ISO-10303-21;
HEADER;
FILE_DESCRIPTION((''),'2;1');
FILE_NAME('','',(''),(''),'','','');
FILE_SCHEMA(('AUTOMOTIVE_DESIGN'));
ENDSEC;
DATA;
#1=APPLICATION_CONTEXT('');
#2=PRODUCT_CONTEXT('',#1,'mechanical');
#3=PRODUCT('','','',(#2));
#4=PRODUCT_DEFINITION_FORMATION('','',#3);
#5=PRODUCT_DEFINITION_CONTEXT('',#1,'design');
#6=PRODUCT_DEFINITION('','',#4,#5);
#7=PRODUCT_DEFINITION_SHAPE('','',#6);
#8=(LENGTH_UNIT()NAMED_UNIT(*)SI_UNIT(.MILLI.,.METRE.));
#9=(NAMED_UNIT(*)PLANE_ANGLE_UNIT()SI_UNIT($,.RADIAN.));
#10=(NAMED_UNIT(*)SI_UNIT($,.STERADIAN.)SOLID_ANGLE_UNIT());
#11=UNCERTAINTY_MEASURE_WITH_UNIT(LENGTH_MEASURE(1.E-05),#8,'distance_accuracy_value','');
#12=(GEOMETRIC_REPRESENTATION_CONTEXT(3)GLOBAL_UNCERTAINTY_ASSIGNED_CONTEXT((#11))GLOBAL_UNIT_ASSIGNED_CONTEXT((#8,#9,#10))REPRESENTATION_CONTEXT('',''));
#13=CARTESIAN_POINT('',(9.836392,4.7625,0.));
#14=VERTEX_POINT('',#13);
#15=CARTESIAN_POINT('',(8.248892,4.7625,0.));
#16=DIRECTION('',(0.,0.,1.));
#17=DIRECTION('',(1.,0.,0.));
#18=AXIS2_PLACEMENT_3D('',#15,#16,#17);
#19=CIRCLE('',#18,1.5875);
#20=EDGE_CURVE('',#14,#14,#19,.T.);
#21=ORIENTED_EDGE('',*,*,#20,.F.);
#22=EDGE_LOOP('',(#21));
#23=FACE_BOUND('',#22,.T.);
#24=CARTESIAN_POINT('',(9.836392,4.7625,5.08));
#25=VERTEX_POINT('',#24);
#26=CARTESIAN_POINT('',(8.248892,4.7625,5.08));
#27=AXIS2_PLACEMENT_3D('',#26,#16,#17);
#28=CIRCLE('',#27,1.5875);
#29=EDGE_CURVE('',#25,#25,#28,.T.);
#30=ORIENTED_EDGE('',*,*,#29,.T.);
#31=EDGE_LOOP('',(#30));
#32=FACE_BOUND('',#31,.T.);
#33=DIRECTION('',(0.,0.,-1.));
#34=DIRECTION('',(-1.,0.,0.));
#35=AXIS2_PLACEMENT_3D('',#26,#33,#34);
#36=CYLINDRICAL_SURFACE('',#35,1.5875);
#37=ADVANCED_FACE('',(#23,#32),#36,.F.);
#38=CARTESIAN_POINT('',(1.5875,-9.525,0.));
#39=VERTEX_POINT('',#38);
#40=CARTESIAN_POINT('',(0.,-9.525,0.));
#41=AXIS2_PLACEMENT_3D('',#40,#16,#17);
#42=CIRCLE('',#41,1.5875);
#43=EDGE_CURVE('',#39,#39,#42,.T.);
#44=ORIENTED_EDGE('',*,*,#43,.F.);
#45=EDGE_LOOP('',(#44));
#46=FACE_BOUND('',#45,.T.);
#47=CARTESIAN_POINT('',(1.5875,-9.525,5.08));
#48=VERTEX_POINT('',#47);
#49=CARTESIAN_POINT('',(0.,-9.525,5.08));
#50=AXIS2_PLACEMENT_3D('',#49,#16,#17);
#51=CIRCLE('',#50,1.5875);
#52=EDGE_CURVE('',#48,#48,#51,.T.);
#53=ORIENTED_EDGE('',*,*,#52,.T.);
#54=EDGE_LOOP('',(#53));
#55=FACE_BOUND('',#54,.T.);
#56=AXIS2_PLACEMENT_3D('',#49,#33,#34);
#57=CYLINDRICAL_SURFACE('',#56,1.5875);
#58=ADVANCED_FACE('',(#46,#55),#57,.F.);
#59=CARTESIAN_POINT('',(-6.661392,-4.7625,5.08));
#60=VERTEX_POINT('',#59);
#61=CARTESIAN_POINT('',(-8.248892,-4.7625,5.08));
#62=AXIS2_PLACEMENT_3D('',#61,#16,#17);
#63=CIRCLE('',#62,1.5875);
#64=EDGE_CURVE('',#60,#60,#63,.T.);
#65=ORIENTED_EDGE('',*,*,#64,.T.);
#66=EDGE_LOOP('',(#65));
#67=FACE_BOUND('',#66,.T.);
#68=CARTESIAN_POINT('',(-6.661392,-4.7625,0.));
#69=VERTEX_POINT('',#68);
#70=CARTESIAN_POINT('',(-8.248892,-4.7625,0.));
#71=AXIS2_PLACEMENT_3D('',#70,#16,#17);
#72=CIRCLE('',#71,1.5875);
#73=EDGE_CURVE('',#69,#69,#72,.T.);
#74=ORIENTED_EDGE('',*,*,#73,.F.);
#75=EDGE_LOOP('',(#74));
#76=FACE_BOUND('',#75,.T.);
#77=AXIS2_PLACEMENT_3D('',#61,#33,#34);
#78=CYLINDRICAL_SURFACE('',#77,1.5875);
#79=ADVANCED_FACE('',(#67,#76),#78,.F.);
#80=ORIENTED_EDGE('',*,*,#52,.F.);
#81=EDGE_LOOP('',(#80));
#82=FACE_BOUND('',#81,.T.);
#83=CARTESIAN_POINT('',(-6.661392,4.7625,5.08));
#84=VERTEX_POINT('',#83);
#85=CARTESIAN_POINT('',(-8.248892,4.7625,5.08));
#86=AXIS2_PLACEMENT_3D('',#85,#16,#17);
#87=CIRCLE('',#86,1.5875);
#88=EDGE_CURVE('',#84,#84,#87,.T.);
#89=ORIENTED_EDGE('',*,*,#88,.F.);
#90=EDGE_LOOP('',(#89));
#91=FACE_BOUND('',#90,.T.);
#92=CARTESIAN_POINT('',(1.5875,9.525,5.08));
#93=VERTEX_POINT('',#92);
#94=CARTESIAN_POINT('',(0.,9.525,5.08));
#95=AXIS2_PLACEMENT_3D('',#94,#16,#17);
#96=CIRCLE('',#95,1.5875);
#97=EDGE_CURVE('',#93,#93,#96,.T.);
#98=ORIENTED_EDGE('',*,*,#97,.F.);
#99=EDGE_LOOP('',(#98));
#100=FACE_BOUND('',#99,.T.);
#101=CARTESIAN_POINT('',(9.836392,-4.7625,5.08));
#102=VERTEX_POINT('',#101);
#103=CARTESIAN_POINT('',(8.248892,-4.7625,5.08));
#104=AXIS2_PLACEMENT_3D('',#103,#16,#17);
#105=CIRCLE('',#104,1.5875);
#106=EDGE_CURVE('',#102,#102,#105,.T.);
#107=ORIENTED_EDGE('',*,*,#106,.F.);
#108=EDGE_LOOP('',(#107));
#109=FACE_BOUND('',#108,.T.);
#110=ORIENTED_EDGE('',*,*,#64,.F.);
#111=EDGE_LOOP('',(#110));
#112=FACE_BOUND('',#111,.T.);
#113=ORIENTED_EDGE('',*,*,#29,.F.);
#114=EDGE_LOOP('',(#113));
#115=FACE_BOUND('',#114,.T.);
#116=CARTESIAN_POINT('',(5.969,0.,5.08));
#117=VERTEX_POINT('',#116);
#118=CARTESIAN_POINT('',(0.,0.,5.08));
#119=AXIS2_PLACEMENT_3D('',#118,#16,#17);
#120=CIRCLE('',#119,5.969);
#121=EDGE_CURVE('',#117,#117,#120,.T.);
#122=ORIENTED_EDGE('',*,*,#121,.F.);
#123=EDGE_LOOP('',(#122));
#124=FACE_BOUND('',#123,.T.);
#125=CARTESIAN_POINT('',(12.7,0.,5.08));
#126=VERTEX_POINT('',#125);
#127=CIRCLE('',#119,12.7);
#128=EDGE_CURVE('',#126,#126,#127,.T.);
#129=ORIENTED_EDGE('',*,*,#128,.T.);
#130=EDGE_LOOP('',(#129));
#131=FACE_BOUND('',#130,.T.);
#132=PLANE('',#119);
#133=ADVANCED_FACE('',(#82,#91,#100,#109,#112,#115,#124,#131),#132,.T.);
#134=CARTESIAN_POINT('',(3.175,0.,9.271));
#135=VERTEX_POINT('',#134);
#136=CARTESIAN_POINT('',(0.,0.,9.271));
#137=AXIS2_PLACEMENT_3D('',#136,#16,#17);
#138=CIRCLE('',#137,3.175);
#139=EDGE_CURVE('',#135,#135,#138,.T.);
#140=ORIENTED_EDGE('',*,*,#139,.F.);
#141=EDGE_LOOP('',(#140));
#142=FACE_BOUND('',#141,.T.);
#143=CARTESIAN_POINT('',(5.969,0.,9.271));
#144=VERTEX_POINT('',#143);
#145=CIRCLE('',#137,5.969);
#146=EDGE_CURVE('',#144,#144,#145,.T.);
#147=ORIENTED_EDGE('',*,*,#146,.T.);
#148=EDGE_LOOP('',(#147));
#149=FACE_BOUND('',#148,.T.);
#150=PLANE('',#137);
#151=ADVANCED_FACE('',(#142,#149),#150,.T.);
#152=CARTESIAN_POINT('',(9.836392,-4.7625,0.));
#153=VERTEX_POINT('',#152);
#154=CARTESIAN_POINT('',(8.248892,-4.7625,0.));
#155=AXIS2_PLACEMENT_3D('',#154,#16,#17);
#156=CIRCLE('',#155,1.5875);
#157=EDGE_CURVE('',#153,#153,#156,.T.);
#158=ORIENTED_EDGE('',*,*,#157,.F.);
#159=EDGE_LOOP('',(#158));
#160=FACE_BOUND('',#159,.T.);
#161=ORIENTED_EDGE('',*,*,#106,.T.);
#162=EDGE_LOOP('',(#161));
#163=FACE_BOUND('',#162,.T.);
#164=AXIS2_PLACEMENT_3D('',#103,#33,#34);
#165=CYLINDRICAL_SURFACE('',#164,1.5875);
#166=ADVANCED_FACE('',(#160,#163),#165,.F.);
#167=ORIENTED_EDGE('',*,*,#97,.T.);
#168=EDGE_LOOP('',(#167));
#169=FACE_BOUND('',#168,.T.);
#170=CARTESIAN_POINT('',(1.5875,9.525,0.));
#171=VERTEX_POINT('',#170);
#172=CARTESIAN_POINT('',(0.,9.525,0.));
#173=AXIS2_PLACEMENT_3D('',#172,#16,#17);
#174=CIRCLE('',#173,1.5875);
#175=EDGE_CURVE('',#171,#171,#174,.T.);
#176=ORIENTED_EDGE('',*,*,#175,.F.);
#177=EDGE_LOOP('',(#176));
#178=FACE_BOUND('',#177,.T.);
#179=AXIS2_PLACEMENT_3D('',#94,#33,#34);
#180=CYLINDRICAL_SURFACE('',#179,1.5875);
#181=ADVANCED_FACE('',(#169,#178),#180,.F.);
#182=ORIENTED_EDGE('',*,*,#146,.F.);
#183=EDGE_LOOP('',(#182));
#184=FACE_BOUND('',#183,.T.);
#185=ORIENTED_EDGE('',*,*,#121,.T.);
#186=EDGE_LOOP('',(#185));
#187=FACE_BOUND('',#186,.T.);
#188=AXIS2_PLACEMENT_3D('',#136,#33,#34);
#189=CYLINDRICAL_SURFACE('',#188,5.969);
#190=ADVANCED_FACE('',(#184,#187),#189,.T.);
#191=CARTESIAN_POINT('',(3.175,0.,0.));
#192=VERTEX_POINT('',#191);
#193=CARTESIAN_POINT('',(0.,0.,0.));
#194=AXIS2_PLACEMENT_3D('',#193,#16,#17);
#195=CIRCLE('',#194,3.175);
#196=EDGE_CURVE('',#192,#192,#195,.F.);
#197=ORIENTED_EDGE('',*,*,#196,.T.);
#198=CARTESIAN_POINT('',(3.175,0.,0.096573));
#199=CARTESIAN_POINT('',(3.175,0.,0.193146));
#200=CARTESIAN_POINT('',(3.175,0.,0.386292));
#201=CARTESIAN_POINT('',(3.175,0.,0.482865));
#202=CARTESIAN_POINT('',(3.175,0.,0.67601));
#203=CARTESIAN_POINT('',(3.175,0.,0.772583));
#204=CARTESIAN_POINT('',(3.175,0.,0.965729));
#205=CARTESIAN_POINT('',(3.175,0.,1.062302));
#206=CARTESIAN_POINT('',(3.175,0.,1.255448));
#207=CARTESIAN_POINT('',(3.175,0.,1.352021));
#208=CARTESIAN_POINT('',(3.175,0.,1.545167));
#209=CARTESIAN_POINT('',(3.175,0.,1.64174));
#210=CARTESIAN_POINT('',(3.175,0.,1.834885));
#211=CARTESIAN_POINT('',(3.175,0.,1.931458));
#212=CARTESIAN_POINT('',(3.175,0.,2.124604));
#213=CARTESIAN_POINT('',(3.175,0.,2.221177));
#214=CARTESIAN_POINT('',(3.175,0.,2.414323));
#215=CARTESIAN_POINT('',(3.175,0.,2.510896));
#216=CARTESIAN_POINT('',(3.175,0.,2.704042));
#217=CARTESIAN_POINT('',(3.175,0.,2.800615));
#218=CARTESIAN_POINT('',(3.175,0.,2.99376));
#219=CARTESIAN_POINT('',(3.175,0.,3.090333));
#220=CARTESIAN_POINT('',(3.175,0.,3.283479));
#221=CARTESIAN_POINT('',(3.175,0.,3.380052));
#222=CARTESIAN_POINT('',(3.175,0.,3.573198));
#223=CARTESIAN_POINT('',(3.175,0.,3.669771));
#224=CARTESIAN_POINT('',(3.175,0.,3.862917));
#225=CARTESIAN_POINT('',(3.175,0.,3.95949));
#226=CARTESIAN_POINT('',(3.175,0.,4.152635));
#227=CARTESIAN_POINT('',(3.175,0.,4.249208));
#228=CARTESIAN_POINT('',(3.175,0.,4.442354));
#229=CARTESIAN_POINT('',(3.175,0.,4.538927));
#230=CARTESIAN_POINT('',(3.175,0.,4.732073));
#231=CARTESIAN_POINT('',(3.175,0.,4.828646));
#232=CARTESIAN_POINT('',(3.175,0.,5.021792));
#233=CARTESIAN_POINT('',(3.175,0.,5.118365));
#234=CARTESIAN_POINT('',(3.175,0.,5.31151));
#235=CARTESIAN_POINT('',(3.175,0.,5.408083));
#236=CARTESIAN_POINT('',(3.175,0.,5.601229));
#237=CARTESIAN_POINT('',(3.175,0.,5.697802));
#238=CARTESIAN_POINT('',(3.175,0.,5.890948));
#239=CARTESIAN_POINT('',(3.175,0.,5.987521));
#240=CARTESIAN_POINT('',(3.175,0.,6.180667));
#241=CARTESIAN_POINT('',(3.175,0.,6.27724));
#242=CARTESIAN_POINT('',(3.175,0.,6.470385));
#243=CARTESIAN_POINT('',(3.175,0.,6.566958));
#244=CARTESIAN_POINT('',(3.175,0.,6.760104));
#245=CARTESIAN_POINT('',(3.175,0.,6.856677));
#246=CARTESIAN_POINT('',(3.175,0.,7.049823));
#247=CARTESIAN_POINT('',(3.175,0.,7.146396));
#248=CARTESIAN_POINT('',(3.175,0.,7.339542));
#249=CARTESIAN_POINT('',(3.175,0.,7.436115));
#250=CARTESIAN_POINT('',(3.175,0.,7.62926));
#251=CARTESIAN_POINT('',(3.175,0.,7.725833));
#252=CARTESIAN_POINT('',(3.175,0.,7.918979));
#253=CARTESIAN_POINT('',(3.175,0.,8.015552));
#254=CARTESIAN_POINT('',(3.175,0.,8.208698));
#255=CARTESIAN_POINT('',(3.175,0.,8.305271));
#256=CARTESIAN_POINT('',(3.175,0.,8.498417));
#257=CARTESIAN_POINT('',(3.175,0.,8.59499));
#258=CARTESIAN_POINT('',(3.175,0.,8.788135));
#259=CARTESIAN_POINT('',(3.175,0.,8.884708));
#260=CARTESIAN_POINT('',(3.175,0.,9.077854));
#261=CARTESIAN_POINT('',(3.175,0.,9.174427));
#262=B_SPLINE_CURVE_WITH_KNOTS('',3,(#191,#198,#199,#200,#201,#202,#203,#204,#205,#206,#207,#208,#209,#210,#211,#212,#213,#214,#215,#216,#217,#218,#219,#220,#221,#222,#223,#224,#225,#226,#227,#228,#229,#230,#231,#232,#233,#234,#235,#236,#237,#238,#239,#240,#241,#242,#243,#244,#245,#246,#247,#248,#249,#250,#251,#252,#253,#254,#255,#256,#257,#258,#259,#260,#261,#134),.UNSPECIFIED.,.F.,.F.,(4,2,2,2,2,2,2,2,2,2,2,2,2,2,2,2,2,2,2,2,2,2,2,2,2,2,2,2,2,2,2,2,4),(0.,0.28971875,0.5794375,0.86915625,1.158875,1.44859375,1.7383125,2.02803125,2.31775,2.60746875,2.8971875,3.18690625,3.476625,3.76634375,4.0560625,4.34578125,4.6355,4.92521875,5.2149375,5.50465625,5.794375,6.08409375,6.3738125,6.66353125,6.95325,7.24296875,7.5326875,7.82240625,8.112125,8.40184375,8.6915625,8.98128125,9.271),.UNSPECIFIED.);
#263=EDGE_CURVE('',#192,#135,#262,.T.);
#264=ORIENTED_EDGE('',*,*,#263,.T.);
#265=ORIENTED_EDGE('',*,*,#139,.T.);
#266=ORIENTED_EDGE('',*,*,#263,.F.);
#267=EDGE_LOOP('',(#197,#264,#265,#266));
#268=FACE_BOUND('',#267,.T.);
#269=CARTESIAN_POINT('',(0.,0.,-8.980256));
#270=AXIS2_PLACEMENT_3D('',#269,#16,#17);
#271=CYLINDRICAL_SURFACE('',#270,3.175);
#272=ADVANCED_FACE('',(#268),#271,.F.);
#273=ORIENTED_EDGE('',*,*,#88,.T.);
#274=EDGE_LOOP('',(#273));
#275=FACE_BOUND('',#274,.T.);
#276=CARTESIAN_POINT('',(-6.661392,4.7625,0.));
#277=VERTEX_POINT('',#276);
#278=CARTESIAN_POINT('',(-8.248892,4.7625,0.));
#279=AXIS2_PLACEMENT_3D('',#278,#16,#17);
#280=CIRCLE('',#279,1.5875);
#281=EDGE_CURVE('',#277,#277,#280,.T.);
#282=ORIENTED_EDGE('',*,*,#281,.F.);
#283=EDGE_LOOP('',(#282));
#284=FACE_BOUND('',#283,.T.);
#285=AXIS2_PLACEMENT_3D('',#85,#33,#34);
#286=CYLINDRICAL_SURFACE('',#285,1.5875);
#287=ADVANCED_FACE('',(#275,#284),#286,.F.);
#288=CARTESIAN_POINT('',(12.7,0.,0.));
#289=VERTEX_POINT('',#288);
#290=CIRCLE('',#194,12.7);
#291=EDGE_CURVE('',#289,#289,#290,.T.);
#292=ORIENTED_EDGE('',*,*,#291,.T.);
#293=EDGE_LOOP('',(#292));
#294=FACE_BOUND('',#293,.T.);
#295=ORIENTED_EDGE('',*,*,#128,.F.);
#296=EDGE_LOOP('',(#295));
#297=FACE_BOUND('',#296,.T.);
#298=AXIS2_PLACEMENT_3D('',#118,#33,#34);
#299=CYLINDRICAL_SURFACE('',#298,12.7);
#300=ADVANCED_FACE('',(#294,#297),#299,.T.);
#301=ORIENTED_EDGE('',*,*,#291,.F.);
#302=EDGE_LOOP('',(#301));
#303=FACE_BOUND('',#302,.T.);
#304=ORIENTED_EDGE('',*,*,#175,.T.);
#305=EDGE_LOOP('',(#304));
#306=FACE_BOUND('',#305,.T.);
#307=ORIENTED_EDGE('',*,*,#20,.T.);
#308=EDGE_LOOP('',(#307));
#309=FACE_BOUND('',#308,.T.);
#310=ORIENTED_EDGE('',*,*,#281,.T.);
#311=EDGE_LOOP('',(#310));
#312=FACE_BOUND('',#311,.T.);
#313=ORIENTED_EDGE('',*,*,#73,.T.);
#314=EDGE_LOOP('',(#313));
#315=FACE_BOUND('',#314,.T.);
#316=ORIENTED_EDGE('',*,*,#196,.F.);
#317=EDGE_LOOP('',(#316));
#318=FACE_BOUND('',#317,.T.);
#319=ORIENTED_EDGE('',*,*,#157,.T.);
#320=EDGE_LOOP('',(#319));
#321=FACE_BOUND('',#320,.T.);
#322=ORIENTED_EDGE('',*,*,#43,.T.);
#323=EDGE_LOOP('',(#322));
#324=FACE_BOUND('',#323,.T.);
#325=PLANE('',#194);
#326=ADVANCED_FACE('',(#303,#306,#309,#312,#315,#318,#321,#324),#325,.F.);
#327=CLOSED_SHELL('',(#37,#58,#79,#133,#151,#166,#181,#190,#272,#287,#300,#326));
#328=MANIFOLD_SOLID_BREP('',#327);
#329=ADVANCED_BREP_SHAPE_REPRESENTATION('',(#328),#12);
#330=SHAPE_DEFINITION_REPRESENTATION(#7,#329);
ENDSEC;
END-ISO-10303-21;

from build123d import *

# Parameters (mm, degrees)
SKETCH1_R           = 12.7
SKETCH1_R_2         = 1.5875
BOSS_EXTRUDE1_DEPTH = 5.08
SKETCH2_R           = 5.969
BOSS_EXTRUDE2_DEPTH = 4.191
SKETCH3_R           = 3.175
CUT_EXTRUDE1_DEPTH  = 9.271


with BuildPart() as part:
    # Sketch1 → Boss-Extrude1 (new body)
    with BuildSketch(Plane.XY):
        Circle(SKETCH1_R)
        with Locations((0, 9.525)):
            Circle(SKETCH1_R_2, mode=Mode.SUBTRACT)
        with Locations((8.248891971, 4.7625)):
            Circle(SKETCH1_R_2, mode=Mode.SUBTRACT)
        with Locations((8.248891971, -4.7625)):
            Circle(SKETCH1_R_2, mode=Mode.SUBTRACT)
        with Locations((0, -9.525)):
            Circle(SKETCH1_R_2, mode=Mode.SUBTRACT)
        with Locations((-8.248891971, -4.7625)):
            Circle(SKETCH1_R_2, mode=Mode.SUBTRACT)
        with Locations((-8.248891971, 4.7625)):
            Circle(SKETCH1_R_2, mode=Mode.SUBTRACT)
    extrude(amount=BOSS_EXTRUDE1_DEPTH)

    # Sketch2 → Boss-Extrude2 (add)
    with BuildSketch(Plane.XY.offset(5.08)):
        Circle(SKETCH2_R)
    extrude(amount=BOSS_EXTRUDE2_DEPTH)

    # Sketch3 → Cut-Extrude1 (cut)
    with BuildSketch(Plane.XY.offset(9.271)):
        Circle(SKETCH3_R)
    extrude(amount=-CUT_EXTRUDE1_DEPTH, mode=Mode.SUBTRACT)


solid = part.part
